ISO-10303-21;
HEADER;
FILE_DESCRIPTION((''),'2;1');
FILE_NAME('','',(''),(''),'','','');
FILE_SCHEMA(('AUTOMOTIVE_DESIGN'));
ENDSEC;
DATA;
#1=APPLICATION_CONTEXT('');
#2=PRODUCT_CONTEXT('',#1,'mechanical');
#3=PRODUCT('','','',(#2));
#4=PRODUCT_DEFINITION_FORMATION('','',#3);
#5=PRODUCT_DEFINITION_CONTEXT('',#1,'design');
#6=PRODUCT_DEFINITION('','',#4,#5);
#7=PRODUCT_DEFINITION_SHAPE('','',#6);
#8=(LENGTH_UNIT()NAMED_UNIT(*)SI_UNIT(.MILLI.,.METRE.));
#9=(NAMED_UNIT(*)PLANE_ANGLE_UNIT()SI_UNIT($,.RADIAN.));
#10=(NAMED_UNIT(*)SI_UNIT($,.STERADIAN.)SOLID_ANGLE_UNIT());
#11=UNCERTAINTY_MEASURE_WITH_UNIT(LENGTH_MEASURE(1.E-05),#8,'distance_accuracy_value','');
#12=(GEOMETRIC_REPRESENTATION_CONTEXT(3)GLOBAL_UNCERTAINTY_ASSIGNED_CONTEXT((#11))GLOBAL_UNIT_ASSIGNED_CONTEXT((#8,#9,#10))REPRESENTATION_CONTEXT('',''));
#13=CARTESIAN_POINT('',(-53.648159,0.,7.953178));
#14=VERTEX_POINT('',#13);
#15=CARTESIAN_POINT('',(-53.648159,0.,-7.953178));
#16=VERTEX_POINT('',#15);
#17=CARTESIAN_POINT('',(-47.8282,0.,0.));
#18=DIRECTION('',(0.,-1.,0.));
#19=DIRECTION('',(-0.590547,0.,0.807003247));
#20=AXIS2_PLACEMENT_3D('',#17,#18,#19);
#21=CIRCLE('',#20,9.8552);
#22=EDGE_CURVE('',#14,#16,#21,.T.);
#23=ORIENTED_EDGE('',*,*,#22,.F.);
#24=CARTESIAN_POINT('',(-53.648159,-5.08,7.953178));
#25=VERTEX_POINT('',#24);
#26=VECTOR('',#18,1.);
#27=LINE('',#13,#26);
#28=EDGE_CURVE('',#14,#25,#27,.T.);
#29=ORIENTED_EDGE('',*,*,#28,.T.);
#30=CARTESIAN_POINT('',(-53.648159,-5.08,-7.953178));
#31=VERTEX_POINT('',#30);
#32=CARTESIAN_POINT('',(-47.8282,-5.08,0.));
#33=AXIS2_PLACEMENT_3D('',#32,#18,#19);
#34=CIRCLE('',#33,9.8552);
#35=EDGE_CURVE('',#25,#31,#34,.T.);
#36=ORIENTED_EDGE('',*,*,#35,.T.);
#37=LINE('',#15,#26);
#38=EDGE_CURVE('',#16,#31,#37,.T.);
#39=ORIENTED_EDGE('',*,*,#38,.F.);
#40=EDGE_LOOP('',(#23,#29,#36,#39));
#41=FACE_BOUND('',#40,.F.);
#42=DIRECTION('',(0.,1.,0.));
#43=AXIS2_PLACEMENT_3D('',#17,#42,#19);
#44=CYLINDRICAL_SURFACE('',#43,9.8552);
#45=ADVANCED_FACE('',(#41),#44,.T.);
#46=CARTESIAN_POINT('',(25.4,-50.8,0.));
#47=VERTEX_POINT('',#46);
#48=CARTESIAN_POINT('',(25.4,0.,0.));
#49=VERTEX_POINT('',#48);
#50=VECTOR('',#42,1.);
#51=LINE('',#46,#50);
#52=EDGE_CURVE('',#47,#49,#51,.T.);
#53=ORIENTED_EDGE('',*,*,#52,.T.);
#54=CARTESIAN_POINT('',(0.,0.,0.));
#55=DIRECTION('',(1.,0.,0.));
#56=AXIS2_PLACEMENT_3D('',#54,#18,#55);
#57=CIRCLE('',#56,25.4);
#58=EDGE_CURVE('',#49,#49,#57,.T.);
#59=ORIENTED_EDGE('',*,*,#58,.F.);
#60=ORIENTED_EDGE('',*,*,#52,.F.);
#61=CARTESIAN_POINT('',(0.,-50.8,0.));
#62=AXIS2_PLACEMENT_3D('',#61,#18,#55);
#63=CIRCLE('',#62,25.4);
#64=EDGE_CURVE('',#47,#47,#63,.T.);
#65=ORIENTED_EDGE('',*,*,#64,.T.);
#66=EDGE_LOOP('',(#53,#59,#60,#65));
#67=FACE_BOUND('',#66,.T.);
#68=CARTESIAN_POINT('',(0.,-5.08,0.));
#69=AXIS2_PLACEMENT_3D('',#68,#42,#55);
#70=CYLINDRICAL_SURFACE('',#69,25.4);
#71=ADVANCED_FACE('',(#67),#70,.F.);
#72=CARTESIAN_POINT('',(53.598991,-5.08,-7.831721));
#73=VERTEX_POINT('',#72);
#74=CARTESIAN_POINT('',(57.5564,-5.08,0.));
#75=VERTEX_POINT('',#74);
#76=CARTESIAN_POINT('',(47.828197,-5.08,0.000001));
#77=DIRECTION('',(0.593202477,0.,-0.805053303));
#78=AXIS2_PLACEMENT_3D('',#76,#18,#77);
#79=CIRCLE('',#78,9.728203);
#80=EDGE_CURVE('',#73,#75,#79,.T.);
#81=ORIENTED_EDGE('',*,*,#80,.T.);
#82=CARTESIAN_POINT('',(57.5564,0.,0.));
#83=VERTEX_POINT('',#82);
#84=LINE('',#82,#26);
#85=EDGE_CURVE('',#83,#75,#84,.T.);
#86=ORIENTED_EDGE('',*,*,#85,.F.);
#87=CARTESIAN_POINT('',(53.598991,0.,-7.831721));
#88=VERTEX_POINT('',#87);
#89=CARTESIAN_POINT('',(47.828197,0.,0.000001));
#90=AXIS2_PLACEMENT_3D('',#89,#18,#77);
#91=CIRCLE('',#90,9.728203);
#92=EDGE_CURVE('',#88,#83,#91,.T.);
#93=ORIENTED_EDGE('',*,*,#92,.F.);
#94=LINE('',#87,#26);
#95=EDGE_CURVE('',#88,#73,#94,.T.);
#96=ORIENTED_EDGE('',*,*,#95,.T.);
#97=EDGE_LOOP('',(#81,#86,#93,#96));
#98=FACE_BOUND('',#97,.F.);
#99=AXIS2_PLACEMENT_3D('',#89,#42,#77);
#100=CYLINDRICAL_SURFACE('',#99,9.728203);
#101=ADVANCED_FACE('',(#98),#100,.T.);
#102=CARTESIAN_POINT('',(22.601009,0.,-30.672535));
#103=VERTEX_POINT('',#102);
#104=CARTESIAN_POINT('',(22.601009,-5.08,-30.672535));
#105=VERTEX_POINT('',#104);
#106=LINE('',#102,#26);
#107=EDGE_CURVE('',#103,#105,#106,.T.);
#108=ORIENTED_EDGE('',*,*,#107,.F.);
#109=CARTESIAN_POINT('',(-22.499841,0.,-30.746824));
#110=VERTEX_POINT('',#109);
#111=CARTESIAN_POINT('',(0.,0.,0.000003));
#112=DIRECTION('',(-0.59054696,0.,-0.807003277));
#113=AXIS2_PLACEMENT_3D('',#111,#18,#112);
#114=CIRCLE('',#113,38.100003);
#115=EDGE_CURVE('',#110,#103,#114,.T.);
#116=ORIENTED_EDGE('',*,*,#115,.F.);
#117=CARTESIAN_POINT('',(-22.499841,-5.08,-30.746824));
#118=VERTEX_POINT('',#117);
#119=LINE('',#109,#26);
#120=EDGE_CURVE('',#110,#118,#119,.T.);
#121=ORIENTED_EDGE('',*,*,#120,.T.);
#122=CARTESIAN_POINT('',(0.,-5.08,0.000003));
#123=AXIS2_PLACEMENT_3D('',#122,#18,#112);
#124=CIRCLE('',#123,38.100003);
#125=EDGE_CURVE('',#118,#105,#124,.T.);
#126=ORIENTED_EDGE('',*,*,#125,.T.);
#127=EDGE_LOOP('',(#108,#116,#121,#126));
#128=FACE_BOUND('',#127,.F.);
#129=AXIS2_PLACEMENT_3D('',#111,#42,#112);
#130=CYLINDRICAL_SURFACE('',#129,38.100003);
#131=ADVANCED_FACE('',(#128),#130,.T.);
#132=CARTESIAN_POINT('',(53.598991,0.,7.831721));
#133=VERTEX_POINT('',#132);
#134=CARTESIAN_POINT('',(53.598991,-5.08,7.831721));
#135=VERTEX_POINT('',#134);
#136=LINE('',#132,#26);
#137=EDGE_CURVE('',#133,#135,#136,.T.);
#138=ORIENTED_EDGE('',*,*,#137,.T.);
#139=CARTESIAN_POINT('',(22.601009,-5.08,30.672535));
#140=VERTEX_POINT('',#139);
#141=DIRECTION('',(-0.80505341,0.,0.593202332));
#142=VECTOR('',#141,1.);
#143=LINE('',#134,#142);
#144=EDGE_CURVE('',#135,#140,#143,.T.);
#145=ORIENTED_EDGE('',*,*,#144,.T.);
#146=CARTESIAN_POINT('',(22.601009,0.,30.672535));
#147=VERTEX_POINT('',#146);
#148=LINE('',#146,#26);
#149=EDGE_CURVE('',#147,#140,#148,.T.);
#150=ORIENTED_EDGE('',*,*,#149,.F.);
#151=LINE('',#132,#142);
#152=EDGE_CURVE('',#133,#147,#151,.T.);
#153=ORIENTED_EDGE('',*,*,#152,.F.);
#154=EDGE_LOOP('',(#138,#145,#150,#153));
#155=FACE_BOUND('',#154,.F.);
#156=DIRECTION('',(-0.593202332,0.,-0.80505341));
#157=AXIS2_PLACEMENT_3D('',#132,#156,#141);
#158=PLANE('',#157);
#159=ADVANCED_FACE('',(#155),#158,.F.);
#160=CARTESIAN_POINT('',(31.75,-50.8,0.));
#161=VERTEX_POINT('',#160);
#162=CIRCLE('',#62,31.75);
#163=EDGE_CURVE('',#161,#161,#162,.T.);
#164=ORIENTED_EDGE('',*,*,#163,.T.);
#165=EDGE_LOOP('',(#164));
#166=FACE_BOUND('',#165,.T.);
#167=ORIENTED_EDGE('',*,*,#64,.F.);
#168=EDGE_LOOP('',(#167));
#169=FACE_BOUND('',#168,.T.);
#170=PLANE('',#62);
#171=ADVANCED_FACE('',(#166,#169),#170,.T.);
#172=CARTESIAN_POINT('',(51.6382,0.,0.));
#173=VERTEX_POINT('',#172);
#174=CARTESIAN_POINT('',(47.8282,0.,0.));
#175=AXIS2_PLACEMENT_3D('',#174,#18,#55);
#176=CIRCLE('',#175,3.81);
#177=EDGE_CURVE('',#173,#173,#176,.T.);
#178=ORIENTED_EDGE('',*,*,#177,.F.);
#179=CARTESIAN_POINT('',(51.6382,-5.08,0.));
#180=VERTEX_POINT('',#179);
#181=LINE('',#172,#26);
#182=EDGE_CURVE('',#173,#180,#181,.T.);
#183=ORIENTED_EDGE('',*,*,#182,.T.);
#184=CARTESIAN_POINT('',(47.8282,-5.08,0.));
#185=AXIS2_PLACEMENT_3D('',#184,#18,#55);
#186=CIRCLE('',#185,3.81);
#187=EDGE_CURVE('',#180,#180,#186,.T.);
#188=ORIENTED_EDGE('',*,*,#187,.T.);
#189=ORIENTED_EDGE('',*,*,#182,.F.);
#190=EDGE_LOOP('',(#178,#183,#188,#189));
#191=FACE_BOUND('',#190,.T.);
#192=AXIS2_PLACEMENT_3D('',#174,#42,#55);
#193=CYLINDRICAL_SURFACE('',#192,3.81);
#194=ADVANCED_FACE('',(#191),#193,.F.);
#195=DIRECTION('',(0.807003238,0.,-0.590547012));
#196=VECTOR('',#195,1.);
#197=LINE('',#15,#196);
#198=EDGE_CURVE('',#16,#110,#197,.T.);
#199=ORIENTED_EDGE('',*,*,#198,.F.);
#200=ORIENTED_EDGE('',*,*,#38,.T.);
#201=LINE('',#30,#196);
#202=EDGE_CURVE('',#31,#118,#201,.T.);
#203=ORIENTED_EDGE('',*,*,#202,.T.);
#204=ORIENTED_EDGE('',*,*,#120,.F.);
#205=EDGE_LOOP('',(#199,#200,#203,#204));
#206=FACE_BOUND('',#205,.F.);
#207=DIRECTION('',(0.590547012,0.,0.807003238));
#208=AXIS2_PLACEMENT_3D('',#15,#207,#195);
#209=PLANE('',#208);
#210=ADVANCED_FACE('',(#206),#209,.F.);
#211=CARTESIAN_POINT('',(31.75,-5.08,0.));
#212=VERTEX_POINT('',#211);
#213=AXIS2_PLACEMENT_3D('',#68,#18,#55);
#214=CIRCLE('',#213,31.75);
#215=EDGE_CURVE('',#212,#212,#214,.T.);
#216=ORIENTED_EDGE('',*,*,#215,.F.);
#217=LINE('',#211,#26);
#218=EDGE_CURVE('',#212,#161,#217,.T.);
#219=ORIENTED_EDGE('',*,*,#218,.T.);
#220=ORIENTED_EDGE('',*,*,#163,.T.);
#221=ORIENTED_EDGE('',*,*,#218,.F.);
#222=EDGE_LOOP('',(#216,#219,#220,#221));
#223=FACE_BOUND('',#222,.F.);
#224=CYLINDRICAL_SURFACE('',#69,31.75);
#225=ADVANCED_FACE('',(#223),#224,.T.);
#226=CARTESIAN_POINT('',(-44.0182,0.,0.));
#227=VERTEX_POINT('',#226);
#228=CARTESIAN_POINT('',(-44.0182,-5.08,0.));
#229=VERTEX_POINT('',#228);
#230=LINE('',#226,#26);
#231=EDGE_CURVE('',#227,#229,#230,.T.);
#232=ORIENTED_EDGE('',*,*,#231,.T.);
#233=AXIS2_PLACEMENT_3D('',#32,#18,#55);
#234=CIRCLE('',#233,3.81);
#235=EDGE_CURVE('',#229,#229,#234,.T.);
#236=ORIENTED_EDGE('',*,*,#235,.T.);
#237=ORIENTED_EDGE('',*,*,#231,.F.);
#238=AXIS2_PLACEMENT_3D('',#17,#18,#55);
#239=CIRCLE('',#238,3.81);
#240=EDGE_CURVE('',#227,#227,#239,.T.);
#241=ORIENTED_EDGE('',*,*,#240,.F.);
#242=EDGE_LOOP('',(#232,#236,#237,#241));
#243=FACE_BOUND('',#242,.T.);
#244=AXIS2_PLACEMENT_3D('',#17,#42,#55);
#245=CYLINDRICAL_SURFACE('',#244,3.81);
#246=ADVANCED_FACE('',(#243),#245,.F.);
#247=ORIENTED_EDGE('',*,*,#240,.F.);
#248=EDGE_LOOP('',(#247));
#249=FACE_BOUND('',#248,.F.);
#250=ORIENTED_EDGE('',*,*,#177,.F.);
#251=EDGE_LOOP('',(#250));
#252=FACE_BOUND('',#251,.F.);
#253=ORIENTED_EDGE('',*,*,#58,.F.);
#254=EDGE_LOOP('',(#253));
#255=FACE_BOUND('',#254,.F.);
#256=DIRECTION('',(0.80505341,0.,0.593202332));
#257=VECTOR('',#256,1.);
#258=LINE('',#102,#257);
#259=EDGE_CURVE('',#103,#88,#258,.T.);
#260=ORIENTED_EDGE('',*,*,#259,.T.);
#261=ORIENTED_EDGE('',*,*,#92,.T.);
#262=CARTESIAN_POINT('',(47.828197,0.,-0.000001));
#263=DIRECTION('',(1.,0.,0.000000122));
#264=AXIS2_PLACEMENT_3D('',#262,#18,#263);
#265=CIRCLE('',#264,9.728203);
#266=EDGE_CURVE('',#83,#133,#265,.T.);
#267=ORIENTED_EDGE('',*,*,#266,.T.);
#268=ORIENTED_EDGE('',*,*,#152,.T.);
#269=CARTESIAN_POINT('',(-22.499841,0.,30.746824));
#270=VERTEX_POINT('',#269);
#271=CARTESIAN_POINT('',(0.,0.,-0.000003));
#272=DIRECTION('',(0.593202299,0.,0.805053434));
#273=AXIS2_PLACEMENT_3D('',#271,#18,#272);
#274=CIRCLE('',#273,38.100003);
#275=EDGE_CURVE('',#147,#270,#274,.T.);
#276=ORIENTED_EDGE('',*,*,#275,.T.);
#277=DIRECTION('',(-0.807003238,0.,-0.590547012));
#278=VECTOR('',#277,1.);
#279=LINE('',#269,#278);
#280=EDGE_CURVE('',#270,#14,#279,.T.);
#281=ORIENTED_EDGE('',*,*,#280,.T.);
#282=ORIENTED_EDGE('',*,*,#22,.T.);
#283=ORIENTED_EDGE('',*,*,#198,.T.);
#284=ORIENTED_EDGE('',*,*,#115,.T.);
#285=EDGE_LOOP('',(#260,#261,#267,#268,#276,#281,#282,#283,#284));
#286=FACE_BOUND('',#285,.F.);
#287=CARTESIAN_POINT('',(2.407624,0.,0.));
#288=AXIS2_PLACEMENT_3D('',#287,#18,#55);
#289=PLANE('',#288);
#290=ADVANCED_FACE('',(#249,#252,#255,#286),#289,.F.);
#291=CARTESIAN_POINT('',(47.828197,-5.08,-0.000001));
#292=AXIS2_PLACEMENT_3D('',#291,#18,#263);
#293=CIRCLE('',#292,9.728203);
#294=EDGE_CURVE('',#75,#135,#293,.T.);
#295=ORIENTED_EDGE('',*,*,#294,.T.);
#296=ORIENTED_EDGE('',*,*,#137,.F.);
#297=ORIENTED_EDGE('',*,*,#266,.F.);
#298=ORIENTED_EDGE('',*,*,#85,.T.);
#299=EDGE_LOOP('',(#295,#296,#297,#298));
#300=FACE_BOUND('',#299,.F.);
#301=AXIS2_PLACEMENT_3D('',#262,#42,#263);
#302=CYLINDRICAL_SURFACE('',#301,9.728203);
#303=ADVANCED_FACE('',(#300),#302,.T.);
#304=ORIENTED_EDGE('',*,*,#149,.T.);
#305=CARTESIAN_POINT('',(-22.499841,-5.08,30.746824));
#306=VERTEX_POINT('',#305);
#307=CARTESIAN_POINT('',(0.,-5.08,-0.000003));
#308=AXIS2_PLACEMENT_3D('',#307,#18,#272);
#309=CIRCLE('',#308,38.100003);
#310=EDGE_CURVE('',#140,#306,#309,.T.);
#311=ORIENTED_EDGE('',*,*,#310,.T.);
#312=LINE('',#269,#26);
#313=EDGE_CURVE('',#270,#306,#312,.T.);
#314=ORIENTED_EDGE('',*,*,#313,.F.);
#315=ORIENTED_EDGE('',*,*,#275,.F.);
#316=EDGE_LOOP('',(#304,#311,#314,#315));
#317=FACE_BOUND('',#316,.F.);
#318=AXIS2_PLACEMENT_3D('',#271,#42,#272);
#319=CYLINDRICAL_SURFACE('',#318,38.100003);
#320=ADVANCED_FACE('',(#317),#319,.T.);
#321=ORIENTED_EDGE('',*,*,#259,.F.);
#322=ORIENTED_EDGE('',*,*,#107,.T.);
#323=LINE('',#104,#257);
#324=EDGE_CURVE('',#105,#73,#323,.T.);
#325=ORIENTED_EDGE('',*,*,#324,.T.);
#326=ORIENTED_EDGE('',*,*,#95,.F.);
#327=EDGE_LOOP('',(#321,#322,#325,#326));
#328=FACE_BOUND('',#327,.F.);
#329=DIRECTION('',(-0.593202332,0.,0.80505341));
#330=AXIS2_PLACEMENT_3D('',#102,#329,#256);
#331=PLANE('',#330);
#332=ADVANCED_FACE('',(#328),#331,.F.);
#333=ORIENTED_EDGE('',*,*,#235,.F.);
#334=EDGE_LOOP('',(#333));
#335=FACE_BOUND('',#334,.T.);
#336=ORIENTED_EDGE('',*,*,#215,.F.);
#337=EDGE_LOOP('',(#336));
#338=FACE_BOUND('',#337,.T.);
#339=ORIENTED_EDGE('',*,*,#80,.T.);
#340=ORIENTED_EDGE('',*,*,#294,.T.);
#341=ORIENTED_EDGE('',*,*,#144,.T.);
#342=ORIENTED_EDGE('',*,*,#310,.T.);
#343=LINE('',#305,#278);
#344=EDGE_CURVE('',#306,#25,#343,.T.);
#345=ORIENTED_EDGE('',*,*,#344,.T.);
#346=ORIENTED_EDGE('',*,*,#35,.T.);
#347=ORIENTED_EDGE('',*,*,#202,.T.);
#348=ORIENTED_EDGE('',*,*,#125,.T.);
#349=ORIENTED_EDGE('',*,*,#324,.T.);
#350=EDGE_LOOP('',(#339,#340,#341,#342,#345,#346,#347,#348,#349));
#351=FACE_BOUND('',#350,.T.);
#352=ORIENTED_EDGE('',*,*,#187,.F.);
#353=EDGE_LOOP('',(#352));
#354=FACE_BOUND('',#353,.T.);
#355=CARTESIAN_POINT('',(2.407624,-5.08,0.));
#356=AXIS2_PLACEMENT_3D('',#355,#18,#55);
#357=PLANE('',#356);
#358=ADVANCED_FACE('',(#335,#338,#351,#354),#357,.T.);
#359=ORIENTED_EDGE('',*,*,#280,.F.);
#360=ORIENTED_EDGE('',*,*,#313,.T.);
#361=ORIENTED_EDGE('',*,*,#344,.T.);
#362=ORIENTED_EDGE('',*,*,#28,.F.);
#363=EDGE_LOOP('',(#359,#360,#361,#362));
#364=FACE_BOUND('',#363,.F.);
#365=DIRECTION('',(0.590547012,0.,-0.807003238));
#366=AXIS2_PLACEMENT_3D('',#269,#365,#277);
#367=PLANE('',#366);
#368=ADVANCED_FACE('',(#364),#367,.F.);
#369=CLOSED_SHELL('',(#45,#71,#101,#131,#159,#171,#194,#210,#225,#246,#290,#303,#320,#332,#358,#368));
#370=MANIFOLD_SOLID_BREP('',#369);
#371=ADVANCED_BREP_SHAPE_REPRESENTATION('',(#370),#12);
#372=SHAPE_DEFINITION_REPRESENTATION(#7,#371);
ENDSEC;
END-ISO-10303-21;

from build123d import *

# Parameters (mm, degrees)
F0_R     = 3.81
F0_R_2   = 31.75
F0_R_3   = 25.4
F1_DEPTH = 5.08
F2_R     = 31.75
F2_R_2   = 25.4
F3_DEPTH = 45.72


with BuildPart() as f1:
    # F0 (on Front) → F1 (new body)
    with BuildSketch(Plane.XZ):
        with BuildLine():
            Line((-22.499841, 30.746824), (-53.648159, 7.953178))
            ThreePointArc((-53.648159, 7.953178), (-57.6834, 0), (-53.648159, -7.953178))
            Line((-53.648159, -7.953178), (-22.499841, -30.746824))
            ThreePointArc((-22.499841, -30.746824), (0.062757, -38.099948), (22.601009, -30.672535))
            Line((22.601009, -30.672535), (53.598991, -7.831721))
            ThreePointArc((53.598991, -7.831721), (38.1, 0), (53.598991, 7.831721))
            Line((53.598991, 7.831721), (22.601009, 30.672535))
            ThreePointArc((22.601009, 30.672535), (0.062757, 38.099948), (-22.499841, 30.746824))
        make_face()
        with Locations((-47.8282, 0)):
            Circle(F0_R, mode=Mode.SUBTRACT)
        Circle(F0_R_2, mode=Mode.SUBTRACT)
        Circle(F0_R_2)
        Circle(F0_R_3, mode=Mode.SUBTRACT)
        with BuildLine():
            ThreePointArc((57.5564, 0), (56.510863, 4.387395), (53.598991, 7.831721))
            ThreePointArc((53.598991, 7.831721), (38.1, 0), (53.598991, -7.831721))
            ThreePointArc((53.598991, -7.831721), (56.510863, -4.387395), (57.5564, 0))
        make_face()
        with Locations((47.8282, 0)):
            Circle(F0_R, mode=Mode.SUBTRACT)
    extrude(amount=F1_DEPTH)

    # F2 (on face) → F3 (join)
    with BuildSketch(Plane.XZ.offset(5.08)):
        Circle(F2_R)
        Circle(F2_R_2, mode=Mode.SUBTRACT)
    extrude(amount=F3_DEPTH)


solid = f1.part
